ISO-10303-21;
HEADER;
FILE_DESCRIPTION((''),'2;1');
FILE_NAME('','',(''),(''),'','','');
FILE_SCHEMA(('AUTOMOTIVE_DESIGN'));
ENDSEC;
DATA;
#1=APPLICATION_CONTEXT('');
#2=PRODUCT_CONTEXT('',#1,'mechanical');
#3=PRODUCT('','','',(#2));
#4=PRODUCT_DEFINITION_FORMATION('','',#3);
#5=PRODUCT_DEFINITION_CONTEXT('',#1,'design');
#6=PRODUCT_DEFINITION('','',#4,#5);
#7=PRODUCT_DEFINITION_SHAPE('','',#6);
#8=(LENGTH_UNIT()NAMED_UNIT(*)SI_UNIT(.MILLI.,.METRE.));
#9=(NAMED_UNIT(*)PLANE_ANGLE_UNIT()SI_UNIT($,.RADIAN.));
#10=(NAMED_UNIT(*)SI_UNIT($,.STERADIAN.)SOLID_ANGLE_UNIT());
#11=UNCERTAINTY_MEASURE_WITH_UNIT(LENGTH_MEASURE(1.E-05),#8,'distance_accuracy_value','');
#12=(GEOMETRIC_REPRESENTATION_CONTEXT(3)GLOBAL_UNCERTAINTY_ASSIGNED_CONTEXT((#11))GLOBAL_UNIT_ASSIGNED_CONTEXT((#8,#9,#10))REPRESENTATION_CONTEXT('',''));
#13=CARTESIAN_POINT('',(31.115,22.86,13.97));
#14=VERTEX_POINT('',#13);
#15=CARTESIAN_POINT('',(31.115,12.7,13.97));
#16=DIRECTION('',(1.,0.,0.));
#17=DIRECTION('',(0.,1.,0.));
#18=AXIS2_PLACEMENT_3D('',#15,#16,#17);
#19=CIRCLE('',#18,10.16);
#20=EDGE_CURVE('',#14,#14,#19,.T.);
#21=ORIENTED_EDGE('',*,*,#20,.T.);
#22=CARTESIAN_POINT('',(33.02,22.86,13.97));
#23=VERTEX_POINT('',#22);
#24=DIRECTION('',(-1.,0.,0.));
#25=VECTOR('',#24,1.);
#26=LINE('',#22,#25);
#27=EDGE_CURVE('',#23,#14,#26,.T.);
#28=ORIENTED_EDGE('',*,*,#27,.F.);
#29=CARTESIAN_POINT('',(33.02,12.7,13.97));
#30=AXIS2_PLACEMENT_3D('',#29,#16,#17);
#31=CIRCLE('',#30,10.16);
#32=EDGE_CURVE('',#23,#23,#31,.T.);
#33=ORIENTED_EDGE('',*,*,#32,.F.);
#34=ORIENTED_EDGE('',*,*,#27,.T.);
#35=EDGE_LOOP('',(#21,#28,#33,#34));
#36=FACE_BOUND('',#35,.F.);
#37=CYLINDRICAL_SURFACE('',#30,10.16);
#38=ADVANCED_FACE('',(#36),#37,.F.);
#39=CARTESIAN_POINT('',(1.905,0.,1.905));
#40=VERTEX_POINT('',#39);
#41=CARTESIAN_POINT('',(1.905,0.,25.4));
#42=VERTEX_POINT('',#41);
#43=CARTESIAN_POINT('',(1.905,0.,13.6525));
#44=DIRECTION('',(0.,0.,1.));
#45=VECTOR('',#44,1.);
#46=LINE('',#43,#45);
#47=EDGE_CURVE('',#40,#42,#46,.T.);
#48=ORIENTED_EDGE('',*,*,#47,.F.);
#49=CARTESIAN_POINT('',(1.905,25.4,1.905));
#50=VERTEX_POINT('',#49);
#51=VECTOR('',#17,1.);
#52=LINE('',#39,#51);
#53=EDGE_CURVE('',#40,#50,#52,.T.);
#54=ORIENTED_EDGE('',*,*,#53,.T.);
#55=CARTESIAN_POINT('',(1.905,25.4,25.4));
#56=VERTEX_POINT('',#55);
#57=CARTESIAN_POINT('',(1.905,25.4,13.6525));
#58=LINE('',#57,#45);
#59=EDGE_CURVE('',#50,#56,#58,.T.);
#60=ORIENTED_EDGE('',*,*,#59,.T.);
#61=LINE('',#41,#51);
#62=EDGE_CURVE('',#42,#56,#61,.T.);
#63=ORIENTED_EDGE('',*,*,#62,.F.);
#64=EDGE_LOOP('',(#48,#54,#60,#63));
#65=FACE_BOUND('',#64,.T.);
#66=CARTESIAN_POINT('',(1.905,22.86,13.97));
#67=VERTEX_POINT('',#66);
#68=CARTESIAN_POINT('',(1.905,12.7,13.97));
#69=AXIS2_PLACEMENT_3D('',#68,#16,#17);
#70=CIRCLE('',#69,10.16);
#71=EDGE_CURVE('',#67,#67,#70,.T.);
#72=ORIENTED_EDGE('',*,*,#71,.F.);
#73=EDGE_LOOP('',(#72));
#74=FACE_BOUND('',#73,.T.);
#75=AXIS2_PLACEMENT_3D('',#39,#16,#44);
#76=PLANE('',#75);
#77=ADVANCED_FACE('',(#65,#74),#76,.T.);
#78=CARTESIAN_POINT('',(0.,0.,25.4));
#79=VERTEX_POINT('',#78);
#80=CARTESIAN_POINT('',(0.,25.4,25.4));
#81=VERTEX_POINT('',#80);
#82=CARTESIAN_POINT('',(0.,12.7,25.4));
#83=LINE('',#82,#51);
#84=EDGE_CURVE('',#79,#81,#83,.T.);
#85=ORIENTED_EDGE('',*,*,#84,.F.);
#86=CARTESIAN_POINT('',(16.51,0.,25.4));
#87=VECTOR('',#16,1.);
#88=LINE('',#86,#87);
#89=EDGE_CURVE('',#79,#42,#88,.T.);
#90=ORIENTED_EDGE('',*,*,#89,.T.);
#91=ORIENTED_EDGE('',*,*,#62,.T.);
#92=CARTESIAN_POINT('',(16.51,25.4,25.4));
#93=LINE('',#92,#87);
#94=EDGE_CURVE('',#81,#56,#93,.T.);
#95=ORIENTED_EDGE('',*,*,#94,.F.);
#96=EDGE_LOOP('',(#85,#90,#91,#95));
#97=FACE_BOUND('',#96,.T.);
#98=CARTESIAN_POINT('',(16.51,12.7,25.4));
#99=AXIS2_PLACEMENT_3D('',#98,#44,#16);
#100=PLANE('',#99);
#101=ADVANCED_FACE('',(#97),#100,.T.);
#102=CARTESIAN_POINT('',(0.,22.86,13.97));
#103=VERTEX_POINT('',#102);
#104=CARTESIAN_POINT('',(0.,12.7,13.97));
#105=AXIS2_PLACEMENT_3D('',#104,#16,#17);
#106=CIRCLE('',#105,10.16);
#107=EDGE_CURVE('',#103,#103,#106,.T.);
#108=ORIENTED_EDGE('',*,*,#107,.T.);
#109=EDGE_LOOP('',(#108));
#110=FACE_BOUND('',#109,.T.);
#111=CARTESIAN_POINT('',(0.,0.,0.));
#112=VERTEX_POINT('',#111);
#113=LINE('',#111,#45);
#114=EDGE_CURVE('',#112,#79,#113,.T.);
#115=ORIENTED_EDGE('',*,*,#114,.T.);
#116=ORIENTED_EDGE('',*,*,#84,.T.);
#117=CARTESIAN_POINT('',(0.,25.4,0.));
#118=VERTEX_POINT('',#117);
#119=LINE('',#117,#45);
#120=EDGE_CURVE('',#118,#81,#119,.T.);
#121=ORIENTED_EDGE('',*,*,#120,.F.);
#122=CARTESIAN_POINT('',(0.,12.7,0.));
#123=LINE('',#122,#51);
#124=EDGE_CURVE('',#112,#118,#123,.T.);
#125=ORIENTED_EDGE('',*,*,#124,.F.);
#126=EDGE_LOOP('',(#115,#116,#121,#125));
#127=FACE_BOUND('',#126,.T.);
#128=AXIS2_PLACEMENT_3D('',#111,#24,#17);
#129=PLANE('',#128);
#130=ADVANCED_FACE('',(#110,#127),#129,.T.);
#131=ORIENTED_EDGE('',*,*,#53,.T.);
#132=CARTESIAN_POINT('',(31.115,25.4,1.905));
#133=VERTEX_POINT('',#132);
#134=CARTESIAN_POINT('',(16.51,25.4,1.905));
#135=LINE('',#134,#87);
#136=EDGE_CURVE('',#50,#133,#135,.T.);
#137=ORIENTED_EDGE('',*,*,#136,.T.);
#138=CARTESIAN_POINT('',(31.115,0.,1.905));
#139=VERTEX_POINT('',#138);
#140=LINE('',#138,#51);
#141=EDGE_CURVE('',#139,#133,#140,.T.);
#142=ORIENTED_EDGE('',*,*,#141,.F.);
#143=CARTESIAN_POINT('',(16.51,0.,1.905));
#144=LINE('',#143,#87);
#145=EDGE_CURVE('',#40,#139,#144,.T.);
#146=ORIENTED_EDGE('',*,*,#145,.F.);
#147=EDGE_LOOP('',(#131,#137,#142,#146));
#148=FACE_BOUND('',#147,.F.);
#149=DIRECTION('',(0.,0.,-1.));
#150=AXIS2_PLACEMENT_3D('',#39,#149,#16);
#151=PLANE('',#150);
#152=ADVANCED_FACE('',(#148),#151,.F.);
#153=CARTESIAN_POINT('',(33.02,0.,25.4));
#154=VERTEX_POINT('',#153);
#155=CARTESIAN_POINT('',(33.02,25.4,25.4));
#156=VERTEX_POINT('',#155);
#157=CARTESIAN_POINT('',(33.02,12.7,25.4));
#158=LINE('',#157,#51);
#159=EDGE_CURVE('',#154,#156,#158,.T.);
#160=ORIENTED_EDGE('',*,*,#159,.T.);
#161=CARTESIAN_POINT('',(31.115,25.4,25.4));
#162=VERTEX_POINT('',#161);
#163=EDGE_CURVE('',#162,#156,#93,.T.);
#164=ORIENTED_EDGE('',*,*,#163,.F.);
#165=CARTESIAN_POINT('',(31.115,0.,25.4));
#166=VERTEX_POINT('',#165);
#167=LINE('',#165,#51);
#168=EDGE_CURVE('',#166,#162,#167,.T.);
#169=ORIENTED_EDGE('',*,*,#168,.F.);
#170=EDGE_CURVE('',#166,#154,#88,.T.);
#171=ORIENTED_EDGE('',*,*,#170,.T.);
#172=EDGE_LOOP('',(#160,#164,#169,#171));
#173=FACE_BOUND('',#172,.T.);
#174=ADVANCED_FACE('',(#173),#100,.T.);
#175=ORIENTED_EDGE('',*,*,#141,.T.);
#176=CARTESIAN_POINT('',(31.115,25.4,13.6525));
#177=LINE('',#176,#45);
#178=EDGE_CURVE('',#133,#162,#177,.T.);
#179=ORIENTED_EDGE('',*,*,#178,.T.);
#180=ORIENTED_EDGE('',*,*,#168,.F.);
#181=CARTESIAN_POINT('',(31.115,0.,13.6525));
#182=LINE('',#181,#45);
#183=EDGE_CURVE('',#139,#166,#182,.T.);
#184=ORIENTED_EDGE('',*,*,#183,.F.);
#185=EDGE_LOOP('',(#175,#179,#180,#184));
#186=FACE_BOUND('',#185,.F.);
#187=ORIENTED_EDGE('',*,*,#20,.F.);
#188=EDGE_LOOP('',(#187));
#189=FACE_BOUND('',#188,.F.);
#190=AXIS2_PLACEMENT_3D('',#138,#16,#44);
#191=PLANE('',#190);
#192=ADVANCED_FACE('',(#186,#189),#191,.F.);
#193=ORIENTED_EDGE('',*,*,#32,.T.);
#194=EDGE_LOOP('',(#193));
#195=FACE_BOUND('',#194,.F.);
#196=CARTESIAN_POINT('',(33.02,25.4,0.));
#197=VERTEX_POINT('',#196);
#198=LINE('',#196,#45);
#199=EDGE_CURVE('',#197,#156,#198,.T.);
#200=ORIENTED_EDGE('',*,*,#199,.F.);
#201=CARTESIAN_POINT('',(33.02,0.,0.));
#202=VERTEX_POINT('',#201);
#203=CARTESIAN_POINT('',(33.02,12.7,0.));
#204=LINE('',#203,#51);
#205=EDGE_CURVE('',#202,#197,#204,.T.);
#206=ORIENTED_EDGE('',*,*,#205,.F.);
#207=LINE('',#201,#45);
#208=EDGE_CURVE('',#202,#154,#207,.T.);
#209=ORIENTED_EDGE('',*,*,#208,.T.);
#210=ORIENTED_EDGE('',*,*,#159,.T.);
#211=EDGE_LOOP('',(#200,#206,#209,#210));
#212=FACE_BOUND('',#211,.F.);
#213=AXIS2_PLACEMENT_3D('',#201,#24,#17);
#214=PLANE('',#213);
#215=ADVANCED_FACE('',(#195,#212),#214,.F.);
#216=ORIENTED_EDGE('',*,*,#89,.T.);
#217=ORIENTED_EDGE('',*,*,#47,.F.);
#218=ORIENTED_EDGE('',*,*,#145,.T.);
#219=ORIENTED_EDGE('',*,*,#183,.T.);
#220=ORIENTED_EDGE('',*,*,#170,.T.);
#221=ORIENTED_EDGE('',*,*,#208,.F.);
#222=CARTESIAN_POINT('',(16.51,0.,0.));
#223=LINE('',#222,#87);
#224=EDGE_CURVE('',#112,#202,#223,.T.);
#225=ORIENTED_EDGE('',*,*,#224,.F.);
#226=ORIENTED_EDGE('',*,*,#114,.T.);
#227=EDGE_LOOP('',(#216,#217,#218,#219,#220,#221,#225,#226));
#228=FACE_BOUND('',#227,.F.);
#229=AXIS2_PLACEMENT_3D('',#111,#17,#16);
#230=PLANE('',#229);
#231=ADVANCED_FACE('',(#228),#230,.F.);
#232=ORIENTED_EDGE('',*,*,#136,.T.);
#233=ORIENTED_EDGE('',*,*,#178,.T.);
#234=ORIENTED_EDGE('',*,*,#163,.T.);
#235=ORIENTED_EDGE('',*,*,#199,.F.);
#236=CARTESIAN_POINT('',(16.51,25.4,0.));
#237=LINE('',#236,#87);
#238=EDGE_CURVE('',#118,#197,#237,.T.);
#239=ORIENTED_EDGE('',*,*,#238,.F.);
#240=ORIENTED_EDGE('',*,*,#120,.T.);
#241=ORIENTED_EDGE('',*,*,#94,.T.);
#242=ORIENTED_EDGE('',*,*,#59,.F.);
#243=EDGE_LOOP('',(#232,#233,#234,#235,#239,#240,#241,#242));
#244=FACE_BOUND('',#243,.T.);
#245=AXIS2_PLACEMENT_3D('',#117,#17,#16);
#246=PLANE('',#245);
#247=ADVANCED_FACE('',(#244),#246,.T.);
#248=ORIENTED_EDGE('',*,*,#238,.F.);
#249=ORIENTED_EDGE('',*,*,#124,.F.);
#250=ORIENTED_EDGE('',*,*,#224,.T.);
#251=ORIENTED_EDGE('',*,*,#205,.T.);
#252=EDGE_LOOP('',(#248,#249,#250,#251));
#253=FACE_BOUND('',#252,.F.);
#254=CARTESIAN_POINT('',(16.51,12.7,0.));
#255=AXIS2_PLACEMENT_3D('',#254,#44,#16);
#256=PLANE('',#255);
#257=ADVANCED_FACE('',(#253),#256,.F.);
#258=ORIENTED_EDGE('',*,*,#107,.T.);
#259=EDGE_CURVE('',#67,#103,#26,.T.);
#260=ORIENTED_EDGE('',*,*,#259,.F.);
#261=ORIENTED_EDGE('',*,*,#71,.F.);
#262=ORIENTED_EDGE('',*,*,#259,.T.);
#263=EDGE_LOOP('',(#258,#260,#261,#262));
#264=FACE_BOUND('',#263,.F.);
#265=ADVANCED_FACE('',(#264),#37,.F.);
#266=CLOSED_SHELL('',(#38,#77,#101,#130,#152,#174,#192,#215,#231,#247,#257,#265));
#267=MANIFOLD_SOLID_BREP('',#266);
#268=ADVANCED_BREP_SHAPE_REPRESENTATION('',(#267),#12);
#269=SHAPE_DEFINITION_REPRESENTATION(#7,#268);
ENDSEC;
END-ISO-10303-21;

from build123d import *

# Parameters (mm, degrees)
F0_W     = 33.02
F0_H     = 25.4
F1_DEPTH = 25.4
F2_R     = 10.16
F3_DEPTH = 50.8
F4_W     = 29.21
F4_H     = 23.495
F5_DEPTH = 25.4


with BuildPart() as f1:
    # F0 (on Top) → F1 (new body)
    with BuildSketch(Plane.XY):
        with Locations((16.51, 12.7)):
            Rectangle(F0_W, F0_H)
    extrude(amount=F1_DEPTH)

    # F2 (on face) → F3 (cut)
    with BuildSketch(Plane.YZ.offset(33.02)):
        with Locations((12.7, 13.97)):
            Circle(F2_R)
    extrude(amount=-F3_DEPTH, mode=Mode.SUBTRACT)

    # F4 (on face) → F5 (cut)
    with BuildSketch(Plane.XZ):
        with Locations((16.51, 13.6525)):
            Rectangle(F4_W, F4_H)
    extrude(amount=-F5_DEPTH, mode=Mode.SUBTRACT)


solid = f1.part
